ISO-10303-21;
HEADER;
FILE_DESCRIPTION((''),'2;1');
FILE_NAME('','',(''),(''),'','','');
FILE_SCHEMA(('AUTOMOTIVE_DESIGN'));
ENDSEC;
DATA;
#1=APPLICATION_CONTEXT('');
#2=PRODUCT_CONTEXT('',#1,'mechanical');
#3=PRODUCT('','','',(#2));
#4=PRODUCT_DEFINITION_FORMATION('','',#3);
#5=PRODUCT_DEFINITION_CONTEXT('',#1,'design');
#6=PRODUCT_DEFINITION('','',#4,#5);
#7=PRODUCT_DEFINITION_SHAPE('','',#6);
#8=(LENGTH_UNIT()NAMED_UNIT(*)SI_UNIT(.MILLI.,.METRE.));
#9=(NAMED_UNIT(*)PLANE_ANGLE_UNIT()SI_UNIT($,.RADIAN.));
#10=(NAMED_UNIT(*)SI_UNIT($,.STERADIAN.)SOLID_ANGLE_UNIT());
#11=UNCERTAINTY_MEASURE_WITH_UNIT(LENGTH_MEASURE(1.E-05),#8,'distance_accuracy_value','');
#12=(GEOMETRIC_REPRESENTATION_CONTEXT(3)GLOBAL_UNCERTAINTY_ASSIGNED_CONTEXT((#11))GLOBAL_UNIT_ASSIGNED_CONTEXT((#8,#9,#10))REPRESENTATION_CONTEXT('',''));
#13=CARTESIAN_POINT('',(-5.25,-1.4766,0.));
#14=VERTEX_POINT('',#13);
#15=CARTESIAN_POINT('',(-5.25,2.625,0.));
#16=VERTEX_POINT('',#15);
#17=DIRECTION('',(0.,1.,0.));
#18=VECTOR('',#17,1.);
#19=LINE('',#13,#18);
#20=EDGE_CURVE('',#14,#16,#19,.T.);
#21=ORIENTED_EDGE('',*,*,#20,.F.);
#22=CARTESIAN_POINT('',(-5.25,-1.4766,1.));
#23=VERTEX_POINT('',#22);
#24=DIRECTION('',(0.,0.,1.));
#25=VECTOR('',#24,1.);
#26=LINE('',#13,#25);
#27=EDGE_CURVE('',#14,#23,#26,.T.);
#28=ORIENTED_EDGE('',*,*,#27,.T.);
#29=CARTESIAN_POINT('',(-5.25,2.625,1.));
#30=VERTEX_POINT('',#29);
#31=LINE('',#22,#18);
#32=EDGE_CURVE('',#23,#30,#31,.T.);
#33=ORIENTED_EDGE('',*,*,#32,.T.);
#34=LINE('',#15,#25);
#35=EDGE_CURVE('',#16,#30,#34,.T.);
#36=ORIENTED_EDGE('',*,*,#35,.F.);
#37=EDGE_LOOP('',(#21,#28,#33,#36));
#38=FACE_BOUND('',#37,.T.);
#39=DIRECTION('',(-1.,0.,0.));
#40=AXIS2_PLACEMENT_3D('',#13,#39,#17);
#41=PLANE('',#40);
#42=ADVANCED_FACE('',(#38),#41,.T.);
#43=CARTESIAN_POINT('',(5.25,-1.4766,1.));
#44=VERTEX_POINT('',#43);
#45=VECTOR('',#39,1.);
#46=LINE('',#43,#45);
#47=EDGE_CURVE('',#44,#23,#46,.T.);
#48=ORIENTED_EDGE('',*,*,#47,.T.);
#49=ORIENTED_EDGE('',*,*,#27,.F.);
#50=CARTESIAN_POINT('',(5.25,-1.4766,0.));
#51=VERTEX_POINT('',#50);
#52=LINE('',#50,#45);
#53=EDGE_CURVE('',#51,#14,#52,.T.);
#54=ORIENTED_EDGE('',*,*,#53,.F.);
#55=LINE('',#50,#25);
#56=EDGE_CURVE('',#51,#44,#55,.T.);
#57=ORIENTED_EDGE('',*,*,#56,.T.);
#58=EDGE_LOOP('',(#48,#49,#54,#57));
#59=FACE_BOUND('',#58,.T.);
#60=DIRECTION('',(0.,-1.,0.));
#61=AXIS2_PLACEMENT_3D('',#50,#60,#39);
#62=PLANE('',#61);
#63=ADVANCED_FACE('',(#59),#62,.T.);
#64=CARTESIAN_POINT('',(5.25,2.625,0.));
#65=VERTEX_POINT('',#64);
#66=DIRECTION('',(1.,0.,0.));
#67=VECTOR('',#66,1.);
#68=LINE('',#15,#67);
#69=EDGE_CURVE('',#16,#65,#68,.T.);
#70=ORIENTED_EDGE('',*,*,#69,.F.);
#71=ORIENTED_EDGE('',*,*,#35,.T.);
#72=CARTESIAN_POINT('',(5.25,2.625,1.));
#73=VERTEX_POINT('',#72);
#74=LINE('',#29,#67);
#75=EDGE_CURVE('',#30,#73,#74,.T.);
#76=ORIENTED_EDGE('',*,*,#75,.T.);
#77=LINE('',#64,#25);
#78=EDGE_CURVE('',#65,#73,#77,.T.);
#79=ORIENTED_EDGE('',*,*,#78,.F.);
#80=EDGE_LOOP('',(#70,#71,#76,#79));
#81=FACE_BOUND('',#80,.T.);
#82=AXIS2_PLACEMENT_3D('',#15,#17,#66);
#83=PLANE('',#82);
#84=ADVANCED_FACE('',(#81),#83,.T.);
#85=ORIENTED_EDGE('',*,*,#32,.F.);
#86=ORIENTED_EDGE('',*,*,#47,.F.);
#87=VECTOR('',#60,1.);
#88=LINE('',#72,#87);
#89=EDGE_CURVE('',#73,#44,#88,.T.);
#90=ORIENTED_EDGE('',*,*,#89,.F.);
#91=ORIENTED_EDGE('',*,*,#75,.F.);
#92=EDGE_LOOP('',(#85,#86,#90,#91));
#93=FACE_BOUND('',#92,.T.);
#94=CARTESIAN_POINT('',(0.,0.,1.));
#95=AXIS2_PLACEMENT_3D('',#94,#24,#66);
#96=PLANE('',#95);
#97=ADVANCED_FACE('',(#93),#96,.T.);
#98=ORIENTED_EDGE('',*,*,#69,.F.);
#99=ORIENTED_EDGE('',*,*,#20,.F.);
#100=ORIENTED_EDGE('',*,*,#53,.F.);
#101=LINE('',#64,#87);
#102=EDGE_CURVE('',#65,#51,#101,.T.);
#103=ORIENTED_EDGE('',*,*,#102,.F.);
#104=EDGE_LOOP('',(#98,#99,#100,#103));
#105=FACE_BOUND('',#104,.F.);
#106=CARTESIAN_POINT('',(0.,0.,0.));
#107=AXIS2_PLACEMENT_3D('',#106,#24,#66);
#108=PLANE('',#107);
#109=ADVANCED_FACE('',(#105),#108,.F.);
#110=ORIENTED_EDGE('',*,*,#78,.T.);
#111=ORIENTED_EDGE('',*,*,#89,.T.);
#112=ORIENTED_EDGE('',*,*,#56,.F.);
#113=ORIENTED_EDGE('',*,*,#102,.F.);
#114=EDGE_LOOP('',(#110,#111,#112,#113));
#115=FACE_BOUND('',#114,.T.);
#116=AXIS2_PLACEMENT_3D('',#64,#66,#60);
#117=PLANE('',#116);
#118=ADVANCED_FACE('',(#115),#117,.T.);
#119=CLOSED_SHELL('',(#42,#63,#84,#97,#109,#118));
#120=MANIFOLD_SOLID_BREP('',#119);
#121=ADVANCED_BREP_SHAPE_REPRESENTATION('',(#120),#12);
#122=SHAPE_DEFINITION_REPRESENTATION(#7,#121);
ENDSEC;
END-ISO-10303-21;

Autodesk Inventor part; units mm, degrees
ref_plane "YZ Plane" through (0, 0, 0) normal (1, 0, 0) x (0, 1, 0)
ref_plane "XZ Plane" through (0, 0, 0) normal (0, 1, 0) x (-1, 0, 0)
ref_plane "XY Plane" through (0, 0, 0) normal (0, 0, 1) x (1, 0, 0)
sketch "53261-04, 53261-04_3" plane through (0, 0, 0) normal (0, 0, 1) x (1, 0, 0)
  line L0 (-5.25, 2.625) -> (5.25, 2.625)
  line L1 (5.25, 2.625) -> (5.25, -1.4766)
  line L2 (5.25, -1.4766) -> (-5.25, -1.4766)
  line L3 (-5.25, -1.4766) -> (-5.25, 2.625)
extrude "Extrusion1" add sketch "53261-04, 53261-04_3" along normal blind 1
properties part number "53261-04"
